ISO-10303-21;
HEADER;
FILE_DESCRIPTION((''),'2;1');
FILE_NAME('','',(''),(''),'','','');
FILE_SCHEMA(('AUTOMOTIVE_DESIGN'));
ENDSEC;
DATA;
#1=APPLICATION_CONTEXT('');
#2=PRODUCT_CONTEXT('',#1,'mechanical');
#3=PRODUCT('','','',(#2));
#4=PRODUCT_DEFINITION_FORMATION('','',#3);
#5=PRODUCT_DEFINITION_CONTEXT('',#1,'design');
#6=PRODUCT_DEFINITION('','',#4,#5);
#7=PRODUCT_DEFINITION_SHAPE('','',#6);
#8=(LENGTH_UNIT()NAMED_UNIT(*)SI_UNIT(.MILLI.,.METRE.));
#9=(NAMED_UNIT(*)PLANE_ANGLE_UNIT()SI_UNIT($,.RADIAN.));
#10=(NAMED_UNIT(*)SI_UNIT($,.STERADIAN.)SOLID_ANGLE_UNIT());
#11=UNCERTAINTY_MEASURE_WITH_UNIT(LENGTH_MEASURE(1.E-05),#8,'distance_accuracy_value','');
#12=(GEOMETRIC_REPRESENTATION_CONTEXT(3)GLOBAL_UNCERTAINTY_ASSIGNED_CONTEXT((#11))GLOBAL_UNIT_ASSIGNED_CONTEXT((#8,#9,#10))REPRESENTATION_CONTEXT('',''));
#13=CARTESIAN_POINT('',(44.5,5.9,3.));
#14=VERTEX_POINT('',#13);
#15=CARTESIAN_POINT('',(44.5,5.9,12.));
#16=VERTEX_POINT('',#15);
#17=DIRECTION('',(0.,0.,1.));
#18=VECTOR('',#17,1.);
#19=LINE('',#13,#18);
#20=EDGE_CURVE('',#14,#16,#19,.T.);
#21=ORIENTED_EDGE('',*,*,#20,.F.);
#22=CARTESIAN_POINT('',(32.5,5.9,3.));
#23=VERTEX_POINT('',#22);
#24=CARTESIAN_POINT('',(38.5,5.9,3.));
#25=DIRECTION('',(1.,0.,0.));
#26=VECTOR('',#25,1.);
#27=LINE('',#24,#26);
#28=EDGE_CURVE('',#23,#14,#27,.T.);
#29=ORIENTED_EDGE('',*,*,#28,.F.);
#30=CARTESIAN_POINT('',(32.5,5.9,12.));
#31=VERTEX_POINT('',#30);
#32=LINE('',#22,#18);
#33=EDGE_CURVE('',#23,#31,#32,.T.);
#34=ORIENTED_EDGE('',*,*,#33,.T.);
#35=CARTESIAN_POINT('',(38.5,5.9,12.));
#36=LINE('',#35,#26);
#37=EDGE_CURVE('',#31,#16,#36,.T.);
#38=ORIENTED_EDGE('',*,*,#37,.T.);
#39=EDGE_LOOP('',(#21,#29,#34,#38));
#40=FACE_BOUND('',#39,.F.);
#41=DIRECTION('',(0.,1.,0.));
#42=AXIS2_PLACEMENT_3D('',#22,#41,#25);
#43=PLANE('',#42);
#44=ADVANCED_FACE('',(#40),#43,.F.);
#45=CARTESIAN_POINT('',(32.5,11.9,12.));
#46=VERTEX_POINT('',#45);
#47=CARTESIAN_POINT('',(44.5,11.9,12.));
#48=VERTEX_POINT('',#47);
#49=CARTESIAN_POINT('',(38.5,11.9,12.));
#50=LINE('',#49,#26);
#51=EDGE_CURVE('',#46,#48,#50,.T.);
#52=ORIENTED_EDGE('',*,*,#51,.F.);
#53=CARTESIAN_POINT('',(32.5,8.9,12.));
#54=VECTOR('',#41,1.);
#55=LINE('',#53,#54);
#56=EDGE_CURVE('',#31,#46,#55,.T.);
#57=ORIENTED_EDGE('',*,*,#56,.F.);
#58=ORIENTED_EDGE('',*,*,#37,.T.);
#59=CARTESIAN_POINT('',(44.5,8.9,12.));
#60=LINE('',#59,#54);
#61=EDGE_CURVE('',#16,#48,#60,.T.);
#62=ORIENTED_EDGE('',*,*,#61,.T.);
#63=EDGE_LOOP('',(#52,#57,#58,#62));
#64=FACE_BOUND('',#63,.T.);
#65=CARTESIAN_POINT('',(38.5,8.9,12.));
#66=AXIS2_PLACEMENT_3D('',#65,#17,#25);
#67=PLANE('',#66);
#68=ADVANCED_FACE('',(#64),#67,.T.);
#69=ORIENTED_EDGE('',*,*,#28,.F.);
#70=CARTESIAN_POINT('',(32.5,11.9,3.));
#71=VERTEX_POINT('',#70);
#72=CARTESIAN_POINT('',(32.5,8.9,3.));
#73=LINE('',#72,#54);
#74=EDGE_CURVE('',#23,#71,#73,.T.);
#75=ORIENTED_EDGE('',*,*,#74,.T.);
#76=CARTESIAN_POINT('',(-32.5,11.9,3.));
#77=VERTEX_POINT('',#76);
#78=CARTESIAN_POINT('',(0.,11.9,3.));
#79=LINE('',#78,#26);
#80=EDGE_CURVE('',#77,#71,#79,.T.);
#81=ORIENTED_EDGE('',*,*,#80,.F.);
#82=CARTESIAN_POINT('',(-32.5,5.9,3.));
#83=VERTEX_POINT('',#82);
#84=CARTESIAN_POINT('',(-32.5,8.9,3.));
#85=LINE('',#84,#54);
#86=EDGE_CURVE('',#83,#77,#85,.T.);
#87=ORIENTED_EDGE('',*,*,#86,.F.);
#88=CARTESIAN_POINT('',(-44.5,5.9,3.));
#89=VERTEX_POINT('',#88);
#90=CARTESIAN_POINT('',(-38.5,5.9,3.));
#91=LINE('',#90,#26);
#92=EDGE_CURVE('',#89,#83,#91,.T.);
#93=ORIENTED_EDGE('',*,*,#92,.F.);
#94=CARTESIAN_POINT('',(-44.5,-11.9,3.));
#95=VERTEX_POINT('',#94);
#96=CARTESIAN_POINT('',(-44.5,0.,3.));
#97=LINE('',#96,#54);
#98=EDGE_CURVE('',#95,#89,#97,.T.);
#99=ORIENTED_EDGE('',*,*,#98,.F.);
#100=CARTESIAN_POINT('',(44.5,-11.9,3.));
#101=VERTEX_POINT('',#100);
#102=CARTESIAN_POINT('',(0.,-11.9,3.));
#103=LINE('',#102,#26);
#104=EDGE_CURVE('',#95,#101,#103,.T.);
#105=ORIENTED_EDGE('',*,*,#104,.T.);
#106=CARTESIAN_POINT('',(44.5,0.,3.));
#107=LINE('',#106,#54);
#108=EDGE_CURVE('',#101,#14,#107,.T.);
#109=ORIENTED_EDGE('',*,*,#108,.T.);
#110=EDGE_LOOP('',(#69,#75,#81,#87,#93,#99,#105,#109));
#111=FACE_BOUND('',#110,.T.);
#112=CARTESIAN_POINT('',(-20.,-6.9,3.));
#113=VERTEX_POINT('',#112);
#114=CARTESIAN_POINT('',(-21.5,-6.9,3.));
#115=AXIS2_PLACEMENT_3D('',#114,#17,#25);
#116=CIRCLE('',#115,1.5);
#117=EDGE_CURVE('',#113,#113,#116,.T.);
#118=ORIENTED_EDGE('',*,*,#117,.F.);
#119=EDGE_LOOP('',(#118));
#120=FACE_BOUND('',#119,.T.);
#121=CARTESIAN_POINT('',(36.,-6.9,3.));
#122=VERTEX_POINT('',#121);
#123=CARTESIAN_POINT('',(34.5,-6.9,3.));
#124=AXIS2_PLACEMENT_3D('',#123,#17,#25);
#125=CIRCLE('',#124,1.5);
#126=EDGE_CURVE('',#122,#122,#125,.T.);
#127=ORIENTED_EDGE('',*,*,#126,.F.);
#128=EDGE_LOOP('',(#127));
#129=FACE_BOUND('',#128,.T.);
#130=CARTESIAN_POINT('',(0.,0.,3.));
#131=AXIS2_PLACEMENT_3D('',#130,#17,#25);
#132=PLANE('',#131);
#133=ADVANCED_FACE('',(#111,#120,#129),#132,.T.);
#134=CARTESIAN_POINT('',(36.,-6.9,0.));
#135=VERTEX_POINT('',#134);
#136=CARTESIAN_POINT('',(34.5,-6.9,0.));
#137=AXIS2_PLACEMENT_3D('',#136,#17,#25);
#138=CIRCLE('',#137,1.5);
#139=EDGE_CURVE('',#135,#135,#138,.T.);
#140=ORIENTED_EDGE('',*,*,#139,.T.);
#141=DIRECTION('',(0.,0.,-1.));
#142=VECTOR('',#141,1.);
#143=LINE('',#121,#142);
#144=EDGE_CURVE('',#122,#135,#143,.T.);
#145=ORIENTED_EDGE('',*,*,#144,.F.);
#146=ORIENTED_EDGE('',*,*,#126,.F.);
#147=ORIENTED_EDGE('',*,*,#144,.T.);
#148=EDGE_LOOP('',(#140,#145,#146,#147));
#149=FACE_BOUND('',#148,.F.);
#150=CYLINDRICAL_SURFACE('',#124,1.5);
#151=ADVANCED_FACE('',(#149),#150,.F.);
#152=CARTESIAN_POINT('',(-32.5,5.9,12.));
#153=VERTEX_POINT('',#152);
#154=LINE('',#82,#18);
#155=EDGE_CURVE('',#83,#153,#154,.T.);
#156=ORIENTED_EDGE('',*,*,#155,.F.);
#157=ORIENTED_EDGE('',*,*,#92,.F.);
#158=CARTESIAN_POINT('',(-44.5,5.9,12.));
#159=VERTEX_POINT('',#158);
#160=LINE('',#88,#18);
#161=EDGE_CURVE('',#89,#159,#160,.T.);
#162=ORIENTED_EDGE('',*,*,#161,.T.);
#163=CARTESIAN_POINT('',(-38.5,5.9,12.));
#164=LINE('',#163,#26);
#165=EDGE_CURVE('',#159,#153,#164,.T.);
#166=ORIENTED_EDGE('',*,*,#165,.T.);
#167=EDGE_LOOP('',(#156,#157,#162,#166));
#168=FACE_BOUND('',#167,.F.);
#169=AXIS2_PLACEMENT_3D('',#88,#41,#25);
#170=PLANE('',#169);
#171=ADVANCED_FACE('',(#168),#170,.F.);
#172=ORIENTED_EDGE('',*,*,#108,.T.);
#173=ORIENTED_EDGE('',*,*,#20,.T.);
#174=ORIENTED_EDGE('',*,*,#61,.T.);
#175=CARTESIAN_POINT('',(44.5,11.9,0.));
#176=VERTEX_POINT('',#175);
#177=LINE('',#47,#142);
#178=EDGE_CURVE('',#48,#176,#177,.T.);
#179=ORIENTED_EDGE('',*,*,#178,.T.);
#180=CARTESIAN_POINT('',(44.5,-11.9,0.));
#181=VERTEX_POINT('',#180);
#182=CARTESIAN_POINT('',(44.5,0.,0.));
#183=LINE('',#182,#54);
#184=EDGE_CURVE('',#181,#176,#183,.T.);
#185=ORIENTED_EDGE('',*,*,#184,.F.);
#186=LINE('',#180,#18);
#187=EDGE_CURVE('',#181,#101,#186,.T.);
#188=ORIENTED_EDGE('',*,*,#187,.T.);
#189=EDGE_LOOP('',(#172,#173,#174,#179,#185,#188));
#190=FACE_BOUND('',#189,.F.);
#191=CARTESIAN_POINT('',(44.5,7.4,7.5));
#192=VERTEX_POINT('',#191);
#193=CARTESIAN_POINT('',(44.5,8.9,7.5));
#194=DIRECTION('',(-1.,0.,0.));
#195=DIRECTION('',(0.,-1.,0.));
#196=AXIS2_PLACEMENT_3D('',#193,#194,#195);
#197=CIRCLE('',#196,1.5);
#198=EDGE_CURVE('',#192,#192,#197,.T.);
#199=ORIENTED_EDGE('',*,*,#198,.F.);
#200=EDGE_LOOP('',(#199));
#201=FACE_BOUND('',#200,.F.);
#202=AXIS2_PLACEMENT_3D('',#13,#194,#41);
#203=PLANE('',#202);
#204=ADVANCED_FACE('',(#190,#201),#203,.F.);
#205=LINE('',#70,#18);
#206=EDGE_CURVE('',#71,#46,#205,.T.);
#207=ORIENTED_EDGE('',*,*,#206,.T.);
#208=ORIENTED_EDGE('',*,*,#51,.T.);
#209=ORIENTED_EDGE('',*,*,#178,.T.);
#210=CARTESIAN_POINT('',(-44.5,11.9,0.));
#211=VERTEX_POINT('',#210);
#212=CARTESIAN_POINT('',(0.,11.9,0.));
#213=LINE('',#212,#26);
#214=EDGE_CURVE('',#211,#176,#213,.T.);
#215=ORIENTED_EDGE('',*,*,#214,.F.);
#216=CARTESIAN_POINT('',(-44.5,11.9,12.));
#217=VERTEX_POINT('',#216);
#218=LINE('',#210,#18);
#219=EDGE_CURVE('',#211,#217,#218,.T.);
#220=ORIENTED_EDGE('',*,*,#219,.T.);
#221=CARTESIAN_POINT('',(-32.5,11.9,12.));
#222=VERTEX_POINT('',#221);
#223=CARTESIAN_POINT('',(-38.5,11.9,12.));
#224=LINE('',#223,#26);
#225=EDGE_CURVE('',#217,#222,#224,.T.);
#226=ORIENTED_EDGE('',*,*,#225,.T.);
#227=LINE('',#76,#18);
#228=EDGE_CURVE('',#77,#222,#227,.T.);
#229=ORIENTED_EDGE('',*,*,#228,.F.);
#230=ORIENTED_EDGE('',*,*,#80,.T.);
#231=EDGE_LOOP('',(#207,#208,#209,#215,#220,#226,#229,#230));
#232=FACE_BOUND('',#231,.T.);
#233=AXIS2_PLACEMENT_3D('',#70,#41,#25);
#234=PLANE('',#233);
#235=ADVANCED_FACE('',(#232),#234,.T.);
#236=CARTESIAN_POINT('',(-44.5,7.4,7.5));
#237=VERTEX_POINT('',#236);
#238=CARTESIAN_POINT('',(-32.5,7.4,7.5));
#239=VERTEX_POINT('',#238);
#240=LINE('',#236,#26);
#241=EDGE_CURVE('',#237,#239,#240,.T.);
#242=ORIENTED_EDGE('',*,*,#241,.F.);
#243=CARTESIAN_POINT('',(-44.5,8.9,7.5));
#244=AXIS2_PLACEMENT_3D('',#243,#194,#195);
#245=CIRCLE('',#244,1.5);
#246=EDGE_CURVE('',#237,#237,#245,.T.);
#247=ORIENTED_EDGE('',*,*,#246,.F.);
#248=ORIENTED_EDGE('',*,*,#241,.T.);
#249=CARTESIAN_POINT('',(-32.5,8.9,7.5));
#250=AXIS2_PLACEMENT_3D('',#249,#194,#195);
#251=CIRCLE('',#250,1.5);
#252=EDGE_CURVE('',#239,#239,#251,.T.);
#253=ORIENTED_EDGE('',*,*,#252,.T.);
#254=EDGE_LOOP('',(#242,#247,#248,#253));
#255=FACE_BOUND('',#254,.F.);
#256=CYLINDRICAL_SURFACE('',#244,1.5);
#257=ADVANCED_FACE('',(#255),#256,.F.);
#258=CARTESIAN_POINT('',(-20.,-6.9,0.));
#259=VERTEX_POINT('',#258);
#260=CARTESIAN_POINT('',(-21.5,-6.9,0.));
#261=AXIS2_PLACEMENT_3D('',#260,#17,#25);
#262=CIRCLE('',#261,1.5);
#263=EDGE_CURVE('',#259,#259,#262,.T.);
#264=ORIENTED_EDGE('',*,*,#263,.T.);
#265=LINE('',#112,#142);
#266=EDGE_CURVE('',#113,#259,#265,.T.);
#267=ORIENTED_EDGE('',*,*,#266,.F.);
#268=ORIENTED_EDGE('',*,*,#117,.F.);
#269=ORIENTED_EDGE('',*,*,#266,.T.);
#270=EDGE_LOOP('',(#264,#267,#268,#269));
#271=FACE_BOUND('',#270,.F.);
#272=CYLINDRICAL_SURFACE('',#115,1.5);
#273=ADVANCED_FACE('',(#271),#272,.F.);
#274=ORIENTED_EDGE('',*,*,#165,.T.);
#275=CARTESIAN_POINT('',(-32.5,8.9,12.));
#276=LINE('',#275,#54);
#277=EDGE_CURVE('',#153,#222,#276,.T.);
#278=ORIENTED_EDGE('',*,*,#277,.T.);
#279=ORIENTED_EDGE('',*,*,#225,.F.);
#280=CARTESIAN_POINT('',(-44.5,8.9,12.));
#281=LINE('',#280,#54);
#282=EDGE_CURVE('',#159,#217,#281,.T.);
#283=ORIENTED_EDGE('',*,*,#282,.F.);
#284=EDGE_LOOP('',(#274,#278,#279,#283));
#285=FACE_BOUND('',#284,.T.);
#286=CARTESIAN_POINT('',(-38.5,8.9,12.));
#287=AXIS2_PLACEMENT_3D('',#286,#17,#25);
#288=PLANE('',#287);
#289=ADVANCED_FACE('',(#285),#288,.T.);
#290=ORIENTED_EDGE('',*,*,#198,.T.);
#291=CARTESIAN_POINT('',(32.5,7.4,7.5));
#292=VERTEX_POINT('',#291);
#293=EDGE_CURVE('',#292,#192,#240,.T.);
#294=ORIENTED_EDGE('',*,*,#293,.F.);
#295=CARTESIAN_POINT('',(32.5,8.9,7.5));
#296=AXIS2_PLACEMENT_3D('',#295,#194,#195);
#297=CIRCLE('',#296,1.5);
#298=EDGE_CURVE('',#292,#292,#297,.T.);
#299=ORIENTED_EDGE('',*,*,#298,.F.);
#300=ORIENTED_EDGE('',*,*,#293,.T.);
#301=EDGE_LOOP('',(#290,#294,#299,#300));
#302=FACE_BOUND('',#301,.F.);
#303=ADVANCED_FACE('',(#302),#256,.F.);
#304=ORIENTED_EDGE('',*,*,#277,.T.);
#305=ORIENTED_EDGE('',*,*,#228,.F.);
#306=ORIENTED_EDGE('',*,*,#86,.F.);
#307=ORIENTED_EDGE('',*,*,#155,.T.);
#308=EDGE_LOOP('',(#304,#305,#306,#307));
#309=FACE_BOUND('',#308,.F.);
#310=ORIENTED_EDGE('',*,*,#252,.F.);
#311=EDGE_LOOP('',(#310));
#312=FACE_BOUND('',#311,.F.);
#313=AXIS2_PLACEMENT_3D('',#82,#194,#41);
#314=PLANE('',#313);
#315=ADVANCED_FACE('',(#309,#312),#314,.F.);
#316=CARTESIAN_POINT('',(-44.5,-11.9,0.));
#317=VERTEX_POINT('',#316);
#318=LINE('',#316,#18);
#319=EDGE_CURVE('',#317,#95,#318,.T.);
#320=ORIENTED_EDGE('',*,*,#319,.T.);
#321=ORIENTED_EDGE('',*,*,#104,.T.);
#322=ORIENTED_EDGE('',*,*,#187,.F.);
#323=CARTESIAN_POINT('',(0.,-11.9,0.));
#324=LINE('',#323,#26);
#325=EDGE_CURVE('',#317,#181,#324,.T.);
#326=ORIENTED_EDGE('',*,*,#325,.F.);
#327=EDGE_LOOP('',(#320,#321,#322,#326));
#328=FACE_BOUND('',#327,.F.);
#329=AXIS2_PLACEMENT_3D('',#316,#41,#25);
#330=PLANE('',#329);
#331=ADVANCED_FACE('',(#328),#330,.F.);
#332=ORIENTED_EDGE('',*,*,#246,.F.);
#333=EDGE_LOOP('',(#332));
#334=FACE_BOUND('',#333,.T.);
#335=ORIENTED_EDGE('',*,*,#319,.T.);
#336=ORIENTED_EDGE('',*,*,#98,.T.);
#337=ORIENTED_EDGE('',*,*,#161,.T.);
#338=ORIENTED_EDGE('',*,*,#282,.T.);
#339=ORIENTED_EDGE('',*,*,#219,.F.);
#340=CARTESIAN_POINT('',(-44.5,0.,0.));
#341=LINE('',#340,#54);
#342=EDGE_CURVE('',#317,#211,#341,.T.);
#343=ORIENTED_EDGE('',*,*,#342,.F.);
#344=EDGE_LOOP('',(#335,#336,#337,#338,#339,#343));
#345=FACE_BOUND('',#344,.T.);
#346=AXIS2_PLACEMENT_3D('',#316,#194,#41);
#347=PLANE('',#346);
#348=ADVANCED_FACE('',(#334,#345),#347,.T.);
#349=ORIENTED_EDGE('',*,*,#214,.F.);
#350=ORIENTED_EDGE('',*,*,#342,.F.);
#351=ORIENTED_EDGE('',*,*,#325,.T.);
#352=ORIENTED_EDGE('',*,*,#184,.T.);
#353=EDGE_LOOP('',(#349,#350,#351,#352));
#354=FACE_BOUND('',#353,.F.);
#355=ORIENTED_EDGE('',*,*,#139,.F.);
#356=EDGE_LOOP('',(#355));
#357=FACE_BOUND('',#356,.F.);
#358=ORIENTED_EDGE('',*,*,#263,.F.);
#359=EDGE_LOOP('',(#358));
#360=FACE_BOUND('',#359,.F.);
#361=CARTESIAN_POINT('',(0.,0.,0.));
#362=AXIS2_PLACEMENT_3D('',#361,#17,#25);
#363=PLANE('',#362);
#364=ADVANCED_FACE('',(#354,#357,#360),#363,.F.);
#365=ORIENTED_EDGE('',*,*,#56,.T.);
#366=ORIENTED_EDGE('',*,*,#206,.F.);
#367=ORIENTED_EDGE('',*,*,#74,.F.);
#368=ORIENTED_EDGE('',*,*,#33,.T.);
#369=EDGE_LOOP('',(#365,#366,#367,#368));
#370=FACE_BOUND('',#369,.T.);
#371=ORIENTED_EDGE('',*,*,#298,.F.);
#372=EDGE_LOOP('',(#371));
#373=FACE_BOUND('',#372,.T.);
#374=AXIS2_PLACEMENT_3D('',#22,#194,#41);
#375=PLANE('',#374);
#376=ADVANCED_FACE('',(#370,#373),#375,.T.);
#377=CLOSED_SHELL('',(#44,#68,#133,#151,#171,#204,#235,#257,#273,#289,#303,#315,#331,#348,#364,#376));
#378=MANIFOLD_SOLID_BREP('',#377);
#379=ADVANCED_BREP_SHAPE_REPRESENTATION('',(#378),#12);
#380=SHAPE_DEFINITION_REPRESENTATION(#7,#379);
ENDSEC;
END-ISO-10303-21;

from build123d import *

# Parameters (mm, degrees)
F0_W     = 89
F0_H     = 23.8
F1_DEPTH = 3
F2_W     = 12
F2_H     = 6
F3_W     = 12
F3_H     = 6
F4_DEPTH = 9
F5_R     = 1.5
F6_DEPTH = 89.001
F7_R     = 1.5
F8_R     = 1.5
F9_DEPTH = 15


with BuildPart() as f1:
    # F0 (on Top) → F1 (new body)
    with BuildSketch(Plane.XY):
        Rectangle(F0_W, F0_H)
    extrude(amount=F1_DEPTH)

    # F2 (on face) + F3 (on face) → F4 (join)
    with BuildSketch(Plane.XY.offset(3)):
        with Locations((38.5, 8.9)):
            Rectangle(F2_W, F2_H)
    with BuildSketch(Plane.XY.offset(3)):
        with Locations((-38.5, 8.9)):
            Rectangle(F3_W, F3_H)
    extrude(amount=F4_DEPTH)

    # F5 (on face) → F6 (cut, through all)
    with BuildSketch(Plane(origin=(-44.5, 0, 0), x_dir=(0, -1, 0), z_dir=(-1, 0, 0))):
        with Locations((-8.9, 7.5)):
            Circle(F5_R)
    extrude(amount=-F6_DEPTH, mode=Mode.SUBTRACT)

    # F7 (on face) + F8 (on face) → F9 (cut)
    with BuildSketch(Plane.XY.offset(3)):
        with Locations((34.5, -6.9)):
            Circle(F7_R)
    with BuildSketch(Plane.XY.offset(3)):
        with Locations((-21.5, -6.9)):
            Circle(F8_R)
    extrude(amount=-F9_DEPTH, mode=Mode.SUBTRACT)


solid = f1.part
